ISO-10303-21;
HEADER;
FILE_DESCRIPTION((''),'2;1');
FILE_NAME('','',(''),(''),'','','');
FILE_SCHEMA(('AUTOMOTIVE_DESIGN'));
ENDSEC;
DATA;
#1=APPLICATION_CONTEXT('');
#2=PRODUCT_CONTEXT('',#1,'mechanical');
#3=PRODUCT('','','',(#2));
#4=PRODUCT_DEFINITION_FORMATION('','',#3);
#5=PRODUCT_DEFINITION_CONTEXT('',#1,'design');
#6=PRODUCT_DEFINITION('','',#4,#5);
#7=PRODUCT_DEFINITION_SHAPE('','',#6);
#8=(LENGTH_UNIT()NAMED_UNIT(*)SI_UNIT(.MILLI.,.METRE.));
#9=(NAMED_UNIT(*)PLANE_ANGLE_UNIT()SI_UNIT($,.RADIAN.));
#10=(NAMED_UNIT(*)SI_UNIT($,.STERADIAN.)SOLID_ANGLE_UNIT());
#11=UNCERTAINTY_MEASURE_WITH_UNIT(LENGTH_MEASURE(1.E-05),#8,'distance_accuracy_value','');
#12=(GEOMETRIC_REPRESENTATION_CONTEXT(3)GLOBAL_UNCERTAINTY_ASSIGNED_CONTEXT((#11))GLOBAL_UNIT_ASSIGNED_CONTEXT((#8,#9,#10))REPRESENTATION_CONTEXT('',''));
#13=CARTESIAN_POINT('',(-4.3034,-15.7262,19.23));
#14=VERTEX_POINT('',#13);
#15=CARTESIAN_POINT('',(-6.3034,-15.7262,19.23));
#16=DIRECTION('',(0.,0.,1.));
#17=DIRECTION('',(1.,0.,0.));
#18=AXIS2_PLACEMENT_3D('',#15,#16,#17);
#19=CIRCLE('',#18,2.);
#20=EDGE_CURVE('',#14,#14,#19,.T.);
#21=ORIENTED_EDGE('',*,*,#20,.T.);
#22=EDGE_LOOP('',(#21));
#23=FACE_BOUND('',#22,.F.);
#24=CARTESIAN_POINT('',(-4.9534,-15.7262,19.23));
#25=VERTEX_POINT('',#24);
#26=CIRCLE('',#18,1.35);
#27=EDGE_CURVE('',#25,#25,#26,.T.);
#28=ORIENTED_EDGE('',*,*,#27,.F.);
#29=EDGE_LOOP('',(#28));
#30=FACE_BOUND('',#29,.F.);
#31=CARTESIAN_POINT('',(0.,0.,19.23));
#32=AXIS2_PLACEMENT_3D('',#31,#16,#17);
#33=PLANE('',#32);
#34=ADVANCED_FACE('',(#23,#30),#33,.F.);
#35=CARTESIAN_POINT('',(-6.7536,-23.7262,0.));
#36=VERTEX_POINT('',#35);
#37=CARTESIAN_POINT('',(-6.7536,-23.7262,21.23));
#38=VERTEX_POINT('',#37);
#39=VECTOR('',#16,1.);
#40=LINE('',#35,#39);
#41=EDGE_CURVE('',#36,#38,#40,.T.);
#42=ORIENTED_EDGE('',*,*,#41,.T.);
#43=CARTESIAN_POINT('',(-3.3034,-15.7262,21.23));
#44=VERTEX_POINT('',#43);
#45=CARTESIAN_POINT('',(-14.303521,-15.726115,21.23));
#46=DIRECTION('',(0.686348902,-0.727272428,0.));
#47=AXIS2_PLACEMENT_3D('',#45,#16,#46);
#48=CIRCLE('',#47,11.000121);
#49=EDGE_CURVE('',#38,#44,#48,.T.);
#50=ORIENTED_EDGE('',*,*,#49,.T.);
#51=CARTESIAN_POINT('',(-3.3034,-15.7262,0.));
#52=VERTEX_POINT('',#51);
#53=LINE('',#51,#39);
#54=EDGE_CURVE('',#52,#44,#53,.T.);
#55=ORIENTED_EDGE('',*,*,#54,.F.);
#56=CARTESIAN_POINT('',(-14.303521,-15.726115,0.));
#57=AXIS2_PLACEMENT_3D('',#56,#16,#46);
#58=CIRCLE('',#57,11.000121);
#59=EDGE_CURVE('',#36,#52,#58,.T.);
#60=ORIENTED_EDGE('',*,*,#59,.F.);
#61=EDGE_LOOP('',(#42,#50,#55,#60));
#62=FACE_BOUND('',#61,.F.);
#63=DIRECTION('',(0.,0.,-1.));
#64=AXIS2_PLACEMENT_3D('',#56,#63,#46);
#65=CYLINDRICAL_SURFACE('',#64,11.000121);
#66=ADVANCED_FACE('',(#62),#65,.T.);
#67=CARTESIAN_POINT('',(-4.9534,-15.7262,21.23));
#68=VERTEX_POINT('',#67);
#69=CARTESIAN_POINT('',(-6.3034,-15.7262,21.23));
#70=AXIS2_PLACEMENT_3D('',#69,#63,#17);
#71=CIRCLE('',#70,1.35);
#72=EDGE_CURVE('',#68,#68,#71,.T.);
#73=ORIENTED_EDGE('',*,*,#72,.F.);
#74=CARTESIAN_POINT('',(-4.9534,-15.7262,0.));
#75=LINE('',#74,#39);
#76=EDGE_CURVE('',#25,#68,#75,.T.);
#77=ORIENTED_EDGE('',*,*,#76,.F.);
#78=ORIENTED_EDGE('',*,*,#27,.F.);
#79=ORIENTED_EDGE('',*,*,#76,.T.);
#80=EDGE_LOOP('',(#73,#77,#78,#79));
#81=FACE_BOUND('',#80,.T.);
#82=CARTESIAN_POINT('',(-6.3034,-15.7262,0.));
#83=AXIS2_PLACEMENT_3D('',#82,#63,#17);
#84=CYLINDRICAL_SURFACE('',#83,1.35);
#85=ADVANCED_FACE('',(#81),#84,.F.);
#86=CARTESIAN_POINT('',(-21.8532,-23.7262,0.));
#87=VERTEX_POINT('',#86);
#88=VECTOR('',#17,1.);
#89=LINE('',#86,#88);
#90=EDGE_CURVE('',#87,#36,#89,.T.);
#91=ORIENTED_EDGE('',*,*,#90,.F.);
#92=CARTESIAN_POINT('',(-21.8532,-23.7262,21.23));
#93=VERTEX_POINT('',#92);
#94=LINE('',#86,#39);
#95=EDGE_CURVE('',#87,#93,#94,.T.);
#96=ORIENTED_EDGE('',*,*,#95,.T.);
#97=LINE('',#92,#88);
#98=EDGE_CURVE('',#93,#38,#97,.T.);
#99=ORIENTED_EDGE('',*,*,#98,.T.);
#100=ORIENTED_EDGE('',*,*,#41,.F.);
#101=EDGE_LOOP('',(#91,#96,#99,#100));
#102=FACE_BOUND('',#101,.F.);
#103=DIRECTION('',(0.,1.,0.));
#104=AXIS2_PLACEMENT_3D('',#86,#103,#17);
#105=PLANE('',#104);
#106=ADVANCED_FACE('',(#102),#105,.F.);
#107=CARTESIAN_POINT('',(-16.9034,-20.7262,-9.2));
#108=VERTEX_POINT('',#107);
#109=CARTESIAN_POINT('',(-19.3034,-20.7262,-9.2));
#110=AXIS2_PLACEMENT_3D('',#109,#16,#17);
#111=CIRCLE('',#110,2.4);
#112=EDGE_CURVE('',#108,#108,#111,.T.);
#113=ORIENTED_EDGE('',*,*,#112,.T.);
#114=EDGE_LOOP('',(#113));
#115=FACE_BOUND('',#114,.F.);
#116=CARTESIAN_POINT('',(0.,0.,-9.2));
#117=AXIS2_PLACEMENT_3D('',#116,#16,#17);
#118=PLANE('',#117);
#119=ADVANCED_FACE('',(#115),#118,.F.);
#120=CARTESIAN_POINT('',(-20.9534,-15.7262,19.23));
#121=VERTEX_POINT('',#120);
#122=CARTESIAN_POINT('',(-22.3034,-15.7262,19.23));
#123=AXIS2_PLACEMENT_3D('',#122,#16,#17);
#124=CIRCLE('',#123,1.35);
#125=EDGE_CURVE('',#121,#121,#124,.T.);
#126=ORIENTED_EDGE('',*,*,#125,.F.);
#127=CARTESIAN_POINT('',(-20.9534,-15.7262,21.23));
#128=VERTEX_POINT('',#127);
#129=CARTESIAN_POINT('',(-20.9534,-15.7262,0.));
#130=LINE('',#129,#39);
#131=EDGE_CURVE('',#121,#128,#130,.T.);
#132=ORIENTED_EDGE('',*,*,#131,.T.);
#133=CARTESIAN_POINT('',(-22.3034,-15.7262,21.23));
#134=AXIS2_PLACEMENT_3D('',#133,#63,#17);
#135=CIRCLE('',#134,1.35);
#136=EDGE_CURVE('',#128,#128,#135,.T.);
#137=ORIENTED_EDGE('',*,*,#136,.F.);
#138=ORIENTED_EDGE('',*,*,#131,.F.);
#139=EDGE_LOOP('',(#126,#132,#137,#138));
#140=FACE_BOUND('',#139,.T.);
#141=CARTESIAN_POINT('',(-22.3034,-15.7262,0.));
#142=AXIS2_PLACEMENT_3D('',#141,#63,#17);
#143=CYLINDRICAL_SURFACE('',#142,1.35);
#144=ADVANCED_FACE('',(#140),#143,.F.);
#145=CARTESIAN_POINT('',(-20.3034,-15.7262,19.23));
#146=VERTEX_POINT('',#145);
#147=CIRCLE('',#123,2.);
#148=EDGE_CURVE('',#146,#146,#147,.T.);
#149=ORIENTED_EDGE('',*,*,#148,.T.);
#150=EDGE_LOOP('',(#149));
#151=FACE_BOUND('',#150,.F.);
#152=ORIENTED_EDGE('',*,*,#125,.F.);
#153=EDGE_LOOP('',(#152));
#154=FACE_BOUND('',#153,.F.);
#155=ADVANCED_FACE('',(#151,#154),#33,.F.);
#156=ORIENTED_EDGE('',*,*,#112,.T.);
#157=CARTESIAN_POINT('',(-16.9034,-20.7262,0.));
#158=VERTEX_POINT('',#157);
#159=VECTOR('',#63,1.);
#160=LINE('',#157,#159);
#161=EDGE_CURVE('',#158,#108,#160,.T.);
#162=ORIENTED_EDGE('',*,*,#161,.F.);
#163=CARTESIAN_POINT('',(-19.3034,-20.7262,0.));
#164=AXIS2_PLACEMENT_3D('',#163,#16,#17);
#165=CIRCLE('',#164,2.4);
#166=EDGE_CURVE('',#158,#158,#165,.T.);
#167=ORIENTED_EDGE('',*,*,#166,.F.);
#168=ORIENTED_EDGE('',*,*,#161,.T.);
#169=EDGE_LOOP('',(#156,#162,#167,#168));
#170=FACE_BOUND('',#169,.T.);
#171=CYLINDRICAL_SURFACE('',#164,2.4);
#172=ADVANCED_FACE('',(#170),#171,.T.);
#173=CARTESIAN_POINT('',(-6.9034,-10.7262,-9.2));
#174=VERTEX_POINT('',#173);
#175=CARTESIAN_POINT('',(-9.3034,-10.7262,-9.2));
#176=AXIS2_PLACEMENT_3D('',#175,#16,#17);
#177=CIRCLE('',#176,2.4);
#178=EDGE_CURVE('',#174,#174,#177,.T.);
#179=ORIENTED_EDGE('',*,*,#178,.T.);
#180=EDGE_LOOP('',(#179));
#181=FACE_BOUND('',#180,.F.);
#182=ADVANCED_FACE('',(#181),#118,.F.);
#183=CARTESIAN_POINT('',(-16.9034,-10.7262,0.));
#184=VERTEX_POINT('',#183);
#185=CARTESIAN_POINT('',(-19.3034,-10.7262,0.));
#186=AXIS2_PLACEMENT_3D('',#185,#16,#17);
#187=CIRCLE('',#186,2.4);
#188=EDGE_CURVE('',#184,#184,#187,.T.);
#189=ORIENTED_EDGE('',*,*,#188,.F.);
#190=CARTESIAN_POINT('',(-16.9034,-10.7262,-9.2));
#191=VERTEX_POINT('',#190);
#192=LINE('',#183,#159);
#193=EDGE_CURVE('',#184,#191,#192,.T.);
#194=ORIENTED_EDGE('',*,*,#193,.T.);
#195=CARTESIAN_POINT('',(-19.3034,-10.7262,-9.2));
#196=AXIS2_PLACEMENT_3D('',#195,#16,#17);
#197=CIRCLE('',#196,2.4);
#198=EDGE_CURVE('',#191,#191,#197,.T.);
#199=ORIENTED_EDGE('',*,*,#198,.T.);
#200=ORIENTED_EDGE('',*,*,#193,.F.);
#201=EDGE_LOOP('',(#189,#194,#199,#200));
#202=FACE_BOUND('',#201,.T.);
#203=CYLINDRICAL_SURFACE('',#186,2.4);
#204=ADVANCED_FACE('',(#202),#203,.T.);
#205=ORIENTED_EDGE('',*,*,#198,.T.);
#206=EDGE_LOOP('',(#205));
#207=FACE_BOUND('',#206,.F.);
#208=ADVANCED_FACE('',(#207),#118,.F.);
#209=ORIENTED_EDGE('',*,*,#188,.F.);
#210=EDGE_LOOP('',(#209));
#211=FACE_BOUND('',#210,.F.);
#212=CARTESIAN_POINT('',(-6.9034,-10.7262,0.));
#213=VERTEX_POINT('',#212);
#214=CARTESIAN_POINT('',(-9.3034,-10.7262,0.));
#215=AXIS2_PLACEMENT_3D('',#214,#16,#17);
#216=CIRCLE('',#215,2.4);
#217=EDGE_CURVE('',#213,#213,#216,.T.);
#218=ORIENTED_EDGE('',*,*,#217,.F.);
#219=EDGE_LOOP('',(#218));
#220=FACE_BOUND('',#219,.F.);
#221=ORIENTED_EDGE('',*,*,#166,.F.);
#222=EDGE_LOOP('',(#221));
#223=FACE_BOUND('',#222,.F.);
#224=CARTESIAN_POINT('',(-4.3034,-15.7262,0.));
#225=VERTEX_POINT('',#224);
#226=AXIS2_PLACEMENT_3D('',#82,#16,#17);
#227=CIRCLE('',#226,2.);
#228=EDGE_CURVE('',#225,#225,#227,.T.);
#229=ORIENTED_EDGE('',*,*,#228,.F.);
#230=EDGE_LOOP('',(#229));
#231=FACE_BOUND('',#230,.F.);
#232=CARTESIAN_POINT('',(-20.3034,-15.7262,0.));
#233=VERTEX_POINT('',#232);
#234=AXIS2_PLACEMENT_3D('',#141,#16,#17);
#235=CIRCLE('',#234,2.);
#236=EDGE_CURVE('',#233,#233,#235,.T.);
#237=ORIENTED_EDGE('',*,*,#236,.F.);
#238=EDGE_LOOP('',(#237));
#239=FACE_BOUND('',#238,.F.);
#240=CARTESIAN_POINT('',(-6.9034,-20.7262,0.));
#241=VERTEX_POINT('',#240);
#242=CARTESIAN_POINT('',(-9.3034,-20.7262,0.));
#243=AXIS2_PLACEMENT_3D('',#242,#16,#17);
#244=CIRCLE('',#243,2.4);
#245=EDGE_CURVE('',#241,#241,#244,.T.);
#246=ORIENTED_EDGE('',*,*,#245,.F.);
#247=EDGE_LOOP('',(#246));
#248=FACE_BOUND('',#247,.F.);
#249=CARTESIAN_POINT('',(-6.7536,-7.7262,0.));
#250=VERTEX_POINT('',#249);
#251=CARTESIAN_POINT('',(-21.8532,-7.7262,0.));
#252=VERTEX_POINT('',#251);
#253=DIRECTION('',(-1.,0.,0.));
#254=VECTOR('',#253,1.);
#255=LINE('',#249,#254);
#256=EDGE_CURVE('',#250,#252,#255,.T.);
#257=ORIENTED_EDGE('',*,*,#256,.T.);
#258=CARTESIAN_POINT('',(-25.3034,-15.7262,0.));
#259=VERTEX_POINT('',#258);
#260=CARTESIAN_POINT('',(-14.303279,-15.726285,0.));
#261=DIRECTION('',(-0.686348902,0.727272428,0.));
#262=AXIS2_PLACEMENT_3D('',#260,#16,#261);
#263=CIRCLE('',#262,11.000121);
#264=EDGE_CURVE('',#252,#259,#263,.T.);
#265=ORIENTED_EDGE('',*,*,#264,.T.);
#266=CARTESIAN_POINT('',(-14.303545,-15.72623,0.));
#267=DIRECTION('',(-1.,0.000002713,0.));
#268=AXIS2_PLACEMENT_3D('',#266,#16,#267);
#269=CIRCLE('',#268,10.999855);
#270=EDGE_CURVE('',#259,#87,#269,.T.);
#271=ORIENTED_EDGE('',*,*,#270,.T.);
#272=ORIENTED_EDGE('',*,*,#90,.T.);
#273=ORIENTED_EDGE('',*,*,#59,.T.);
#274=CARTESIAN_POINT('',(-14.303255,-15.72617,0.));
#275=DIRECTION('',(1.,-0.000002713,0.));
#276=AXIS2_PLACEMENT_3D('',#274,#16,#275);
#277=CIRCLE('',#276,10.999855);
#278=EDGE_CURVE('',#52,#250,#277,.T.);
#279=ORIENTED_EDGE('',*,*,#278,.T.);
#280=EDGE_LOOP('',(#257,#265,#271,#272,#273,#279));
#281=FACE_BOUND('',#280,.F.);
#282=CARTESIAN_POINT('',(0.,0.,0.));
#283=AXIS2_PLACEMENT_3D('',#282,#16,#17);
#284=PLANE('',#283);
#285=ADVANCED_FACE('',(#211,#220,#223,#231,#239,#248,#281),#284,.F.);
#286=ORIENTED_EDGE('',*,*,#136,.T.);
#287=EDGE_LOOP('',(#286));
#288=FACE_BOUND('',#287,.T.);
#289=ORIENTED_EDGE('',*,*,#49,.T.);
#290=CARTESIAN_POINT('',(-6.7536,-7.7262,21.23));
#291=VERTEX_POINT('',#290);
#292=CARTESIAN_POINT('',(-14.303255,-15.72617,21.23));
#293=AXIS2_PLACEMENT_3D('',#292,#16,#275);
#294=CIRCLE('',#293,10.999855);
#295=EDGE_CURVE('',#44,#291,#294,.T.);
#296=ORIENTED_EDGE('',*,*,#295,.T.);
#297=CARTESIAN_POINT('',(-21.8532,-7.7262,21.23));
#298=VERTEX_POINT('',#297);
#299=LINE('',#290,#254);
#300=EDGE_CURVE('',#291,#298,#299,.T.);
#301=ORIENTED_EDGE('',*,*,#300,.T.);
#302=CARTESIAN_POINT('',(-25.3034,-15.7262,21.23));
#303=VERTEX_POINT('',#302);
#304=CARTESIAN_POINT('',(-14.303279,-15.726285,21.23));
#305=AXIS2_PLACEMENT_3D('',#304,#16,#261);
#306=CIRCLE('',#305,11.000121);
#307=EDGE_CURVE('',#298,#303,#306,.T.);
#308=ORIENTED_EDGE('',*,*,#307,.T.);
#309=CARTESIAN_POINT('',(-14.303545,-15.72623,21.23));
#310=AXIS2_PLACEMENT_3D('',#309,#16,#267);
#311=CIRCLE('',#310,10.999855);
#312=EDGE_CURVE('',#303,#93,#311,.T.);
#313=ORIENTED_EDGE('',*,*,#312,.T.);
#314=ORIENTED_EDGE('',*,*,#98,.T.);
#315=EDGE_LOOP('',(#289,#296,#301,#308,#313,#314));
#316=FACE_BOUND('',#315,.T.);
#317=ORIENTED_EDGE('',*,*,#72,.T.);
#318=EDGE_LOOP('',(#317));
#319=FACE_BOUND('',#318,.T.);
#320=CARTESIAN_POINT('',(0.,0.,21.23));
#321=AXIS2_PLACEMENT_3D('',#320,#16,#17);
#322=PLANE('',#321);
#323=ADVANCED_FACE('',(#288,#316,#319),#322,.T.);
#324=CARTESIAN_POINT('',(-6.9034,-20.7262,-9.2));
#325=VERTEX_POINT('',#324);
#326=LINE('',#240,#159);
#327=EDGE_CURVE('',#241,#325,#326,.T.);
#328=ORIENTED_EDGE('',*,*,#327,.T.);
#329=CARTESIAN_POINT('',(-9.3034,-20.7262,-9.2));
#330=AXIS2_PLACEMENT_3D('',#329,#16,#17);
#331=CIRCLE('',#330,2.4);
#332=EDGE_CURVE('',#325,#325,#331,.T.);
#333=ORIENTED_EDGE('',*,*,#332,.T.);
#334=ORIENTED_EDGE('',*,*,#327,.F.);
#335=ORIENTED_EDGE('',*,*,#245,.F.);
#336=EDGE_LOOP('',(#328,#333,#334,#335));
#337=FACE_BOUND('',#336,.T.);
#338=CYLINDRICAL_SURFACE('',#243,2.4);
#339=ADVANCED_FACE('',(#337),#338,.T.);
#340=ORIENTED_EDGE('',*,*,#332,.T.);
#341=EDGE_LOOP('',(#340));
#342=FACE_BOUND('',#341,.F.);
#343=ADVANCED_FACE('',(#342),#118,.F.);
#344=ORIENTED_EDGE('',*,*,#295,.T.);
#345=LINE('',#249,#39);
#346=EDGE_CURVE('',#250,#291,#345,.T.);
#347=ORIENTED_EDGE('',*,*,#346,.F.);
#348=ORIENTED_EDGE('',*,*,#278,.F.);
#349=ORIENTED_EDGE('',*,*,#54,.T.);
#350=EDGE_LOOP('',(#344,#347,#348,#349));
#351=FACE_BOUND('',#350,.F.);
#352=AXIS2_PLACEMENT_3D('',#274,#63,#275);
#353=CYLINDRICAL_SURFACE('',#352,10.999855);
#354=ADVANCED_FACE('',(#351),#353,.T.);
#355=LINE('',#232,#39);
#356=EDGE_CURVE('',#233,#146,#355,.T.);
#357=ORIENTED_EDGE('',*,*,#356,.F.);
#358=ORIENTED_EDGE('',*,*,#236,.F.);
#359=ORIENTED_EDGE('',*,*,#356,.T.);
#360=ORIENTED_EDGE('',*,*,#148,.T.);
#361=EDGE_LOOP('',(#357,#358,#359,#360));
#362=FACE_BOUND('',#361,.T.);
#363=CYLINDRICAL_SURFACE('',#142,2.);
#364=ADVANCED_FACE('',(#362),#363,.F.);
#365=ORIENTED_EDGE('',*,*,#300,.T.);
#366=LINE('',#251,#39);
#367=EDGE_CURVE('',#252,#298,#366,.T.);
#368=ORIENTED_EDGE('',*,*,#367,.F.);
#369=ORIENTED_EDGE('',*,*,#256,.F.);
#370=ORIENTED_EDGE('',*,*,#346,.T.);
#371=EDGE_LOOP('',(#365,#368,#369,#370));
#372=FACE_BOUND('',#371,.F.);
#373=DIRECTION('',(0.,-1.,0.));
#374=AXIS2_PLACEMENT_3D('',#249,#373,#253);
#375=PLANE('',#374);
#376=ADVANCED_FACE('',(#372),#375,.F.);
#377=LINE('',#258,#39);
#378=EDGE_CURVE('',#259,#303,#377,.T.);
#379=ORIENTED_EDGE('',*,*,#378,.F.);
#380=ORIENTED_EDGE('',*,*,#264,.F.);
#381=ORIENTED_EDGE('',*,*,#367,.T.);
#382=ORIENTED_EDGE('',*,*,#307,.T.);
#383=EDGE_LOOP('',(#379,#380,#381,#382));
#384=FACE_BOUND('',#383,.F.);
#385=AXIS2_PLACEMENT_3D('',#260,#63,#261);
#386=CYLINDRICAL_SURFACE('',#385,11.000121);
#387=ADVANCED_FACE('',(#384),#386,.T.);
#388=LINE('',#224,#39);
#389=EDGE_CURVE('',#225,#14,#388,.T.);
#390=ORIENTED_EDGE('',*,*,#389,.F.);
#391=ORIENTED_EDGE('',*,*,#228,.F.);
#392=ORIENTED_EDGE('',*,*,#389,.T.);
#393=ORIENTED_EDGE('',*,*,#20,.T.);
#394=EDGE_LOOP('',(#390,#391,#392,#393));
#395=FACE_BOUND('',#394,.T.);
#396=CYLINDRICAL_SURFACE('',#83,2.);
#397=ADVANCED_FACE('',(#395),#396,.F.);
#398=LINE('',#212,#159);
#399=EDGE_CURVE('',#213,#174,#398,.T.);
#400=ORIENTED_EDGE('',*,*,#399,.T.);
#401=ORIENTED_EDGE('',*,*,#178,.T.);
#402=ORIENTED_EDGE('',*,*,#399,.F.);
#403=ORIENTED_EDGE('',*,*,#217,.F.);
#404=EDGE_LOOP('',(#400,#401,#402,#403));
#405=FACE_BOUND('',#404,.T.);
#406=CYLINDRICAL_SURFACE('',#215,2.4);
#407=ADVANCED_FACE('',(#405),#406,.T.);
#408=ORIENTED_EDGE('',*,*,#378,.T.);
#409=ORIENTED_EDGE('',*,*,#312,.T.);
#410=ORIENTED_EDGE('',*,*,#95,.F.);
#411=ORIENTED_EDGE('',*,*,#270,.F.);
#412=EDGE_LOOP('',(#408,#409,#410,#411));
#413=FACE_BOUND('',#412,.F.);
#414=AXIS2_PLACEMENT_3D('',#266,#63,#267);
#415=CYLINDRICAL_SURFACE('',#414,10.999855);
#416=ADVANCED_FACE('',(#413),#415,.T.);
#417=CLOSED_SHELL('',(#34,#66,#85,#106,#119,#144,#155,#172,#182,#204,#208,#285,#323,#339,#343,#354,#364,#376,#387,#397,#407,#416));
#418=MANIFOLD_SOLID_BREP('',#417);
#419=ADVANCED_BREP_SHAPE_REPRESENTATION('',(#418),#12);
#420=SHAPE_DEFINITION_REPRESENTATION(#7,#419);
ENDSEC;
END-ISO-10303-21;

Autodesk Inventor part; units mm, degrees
ref_plane "YZ Plane" through (0, 0, 0) normal (1, 0, 0) x (0, 1, 0)
ref_plane "XZ Plane" through (0, 0, 0) normal (0, 1, 0) x (-1, 0, 0)
ref_plane "XY Plane" through (0, 0, 0) normal (0, 0, 1) x (1, 0, 0)
sketch "Sketch1" plane through (0, 0, 0) normal (0, 0, 1) x (1, 0, 0)
  arc A0 (0.6966, -35.7262) -> (5.6966, -30.7262) centre (0.6966, -30.7262) ccw
  line L0 (5.6966, -30.7262) -> (5.6966, -0.7262)
  arc A1 (5.6966, -0.7262) -> (0.6966, 4.2738) centre (0.6966, -0.7262) ccw
  line L1 (0.6966, 4.2738) -> (-29.3034, 4.2738)
  arc A2 (-29.3034, 4.2738) -> (-34.3034, -0.7262) centre (-29.3034, -0.7262) ccw
  line L2 (-34.3034, -0.7262) -> (-34.3034, -30.7262)
  arc A3 (-34.3034, -30.7262) -> (-29.3034, -35.7262) centre (-29.3034, -30.7262) ccw
  line L3 (-29.3034, -35.7262) -> (0.6966, -35.7262)
  line L4 (4.6966, -0.7262) -> (4.6966, -30.7262)
  arc A4 (0.6966, -34.7262) -> (4.6966, -30.7262) centre (0.6966, -30.7262) ccw
  line L5 (0.6966, -34.7262) -> (-3.8034, -34.7262)
  line L6 (-3.8034, 3.2738) -> (0.6966, 3.2738)
  arc A5 (4.6966, -0.7262) -> (0.6966, 3.2738) centre (0.6966, -0.7262) ccw
  line L7 (-4.8034, -34.7262) -> (-13.8034, -34.7262)
  line L8 (-13.8034, 3.2738) -> (-4.8034, 3.2738)
  line L9 (-14.8034, -34.7262) -> (-23.8034, -34.7262)
  line L10 (-23.8034, 3.2738) -> (-14.8034, 3.2738)
  line L11 (-33.3034, -30.7262) -> (-33.3034, -0.7262)
  arc A6 (-29.3034, 3.2738) -> (-33.3034, -0.7262) centre (-29.3034, -0.7262) ccw
  line L12 (-29.3034, 3.2738) -> (-24.8034, 3.2738)
  line L13 (-24.8034, -34.7262) -> (-29.3034, -34.7262)
  arc A7 (-33.3034, -30.7262) -> (-29.3034, -34.7262) centre (-29.3034, -30.7262) ccw
  circle A8 centre (-19.3034, -20.7262) radius 2.5
  circle A9 centre (-19.3034, -10.7262) radius 2.5
  circle A10 centre (-9.3034, -20.7262) radius 2.5
  circle A11 centre (-9.3034, -10.7262) radius 2.5
  circle A12 centre (-22.3034, -15.7262) radius 1.35
  circle A13 centre (-6.3034, -15.7262) radius 1.35
  line L14 (-21.8532, -23.7262) -> (-6.7536, -23.7262)
  circle A14 centre (-19.3034, -20.7262) radius 2.4
  circle A15 centre (-19.3034, -10.7262) radius 2.4
  circle A16 centre (-9.3034, -10.7262) radius 2.4
  circle A17 centre (-9.3034, -20.7262) radius 2.4
  arc A18 (-25.3034, -15.7262) -> (-21.8532, -23.7262) centre (-14.3034, -15.7262) ccw
  arc A19 (-6.7536, -23.7262) -> (-3.3034, -15.7262) centre (-14.3034, -15.7262) ccw
  line L15 (-25.3034, -15.7262) -> (-3.3034, -15.7262) construction
  line L16 (-6.7536, -7.7262) -> (-21.8532, -7.7262)
  arc A20 (-3.3034, -15.7262) -> (-6.7536, -7.7262) centre (-14.3034, -15.7262) ccw
  arc A21 (-21.8532, -7.7262) -> (-25.3034, -15.7262) centre (-14.3034, -15.7262) ccw
  line L17 (-23.8034, -34.7262) -> (-23.8034, -23.7262)
  line L18 (-24.8034, 3.2738) -> (-24.8034, -2.9057)
  line L19 (-24.8034, -23.7262) -> (-24.8034, -34.7262)
  line L20 (-4.8034, 3.2738) -> (-4.8034, -7.7262)
  line L21 (-4.8034, -23.7262) -> (-4.8034, -34.7262)
  line L22 (-3.8034, -34.7262) -> (-3.8034, -23.7262)
  line L23 (-3.8034, -7.7262) -> (-3.8034, 3.2738)
  circle A22 centre (-6.3034, -15.7262) radius 2
  circle A23 centre (-22.3034, -15.7262) radius 2
  point P0 (0, 0)
  dimension "d0" = 0.1
  dimension "d1" = 0.1
  dimension "d2" = 0.1
  dimension "d3" = 0.1
  dimension "d12" = 4
  dimension "d13" = 4
  dimension "d16" = 2.7
extrude "Extrusion2" add sketch "Sketch1" along normal blind 21.23 contours A8 | A9 | A10 | A11 | A12 | A13 | A18 A21 L16 A20 A19 L14 | A14 | A15 | A16 | A17 | A22 | A23
extrude "Extrusion3" add sketch "Sketch1" against normal blind 9.2 contours A14 | A15 | A16 | A17
extrude "Extrusion4" cut sketch "Sketch1" along normal through all contours A12 | A13
extrude "Extrusion5" cut sketch "Sketch1" along normal blind 19.23 contours A22 | A23
equation "\"d13\" = d12"
equation "\"d6\" = inner_plug_height"
equation "\"inner_plug_height\" = 21.23"
properties part number "Caster_wheel_inner_plug_2_02"
